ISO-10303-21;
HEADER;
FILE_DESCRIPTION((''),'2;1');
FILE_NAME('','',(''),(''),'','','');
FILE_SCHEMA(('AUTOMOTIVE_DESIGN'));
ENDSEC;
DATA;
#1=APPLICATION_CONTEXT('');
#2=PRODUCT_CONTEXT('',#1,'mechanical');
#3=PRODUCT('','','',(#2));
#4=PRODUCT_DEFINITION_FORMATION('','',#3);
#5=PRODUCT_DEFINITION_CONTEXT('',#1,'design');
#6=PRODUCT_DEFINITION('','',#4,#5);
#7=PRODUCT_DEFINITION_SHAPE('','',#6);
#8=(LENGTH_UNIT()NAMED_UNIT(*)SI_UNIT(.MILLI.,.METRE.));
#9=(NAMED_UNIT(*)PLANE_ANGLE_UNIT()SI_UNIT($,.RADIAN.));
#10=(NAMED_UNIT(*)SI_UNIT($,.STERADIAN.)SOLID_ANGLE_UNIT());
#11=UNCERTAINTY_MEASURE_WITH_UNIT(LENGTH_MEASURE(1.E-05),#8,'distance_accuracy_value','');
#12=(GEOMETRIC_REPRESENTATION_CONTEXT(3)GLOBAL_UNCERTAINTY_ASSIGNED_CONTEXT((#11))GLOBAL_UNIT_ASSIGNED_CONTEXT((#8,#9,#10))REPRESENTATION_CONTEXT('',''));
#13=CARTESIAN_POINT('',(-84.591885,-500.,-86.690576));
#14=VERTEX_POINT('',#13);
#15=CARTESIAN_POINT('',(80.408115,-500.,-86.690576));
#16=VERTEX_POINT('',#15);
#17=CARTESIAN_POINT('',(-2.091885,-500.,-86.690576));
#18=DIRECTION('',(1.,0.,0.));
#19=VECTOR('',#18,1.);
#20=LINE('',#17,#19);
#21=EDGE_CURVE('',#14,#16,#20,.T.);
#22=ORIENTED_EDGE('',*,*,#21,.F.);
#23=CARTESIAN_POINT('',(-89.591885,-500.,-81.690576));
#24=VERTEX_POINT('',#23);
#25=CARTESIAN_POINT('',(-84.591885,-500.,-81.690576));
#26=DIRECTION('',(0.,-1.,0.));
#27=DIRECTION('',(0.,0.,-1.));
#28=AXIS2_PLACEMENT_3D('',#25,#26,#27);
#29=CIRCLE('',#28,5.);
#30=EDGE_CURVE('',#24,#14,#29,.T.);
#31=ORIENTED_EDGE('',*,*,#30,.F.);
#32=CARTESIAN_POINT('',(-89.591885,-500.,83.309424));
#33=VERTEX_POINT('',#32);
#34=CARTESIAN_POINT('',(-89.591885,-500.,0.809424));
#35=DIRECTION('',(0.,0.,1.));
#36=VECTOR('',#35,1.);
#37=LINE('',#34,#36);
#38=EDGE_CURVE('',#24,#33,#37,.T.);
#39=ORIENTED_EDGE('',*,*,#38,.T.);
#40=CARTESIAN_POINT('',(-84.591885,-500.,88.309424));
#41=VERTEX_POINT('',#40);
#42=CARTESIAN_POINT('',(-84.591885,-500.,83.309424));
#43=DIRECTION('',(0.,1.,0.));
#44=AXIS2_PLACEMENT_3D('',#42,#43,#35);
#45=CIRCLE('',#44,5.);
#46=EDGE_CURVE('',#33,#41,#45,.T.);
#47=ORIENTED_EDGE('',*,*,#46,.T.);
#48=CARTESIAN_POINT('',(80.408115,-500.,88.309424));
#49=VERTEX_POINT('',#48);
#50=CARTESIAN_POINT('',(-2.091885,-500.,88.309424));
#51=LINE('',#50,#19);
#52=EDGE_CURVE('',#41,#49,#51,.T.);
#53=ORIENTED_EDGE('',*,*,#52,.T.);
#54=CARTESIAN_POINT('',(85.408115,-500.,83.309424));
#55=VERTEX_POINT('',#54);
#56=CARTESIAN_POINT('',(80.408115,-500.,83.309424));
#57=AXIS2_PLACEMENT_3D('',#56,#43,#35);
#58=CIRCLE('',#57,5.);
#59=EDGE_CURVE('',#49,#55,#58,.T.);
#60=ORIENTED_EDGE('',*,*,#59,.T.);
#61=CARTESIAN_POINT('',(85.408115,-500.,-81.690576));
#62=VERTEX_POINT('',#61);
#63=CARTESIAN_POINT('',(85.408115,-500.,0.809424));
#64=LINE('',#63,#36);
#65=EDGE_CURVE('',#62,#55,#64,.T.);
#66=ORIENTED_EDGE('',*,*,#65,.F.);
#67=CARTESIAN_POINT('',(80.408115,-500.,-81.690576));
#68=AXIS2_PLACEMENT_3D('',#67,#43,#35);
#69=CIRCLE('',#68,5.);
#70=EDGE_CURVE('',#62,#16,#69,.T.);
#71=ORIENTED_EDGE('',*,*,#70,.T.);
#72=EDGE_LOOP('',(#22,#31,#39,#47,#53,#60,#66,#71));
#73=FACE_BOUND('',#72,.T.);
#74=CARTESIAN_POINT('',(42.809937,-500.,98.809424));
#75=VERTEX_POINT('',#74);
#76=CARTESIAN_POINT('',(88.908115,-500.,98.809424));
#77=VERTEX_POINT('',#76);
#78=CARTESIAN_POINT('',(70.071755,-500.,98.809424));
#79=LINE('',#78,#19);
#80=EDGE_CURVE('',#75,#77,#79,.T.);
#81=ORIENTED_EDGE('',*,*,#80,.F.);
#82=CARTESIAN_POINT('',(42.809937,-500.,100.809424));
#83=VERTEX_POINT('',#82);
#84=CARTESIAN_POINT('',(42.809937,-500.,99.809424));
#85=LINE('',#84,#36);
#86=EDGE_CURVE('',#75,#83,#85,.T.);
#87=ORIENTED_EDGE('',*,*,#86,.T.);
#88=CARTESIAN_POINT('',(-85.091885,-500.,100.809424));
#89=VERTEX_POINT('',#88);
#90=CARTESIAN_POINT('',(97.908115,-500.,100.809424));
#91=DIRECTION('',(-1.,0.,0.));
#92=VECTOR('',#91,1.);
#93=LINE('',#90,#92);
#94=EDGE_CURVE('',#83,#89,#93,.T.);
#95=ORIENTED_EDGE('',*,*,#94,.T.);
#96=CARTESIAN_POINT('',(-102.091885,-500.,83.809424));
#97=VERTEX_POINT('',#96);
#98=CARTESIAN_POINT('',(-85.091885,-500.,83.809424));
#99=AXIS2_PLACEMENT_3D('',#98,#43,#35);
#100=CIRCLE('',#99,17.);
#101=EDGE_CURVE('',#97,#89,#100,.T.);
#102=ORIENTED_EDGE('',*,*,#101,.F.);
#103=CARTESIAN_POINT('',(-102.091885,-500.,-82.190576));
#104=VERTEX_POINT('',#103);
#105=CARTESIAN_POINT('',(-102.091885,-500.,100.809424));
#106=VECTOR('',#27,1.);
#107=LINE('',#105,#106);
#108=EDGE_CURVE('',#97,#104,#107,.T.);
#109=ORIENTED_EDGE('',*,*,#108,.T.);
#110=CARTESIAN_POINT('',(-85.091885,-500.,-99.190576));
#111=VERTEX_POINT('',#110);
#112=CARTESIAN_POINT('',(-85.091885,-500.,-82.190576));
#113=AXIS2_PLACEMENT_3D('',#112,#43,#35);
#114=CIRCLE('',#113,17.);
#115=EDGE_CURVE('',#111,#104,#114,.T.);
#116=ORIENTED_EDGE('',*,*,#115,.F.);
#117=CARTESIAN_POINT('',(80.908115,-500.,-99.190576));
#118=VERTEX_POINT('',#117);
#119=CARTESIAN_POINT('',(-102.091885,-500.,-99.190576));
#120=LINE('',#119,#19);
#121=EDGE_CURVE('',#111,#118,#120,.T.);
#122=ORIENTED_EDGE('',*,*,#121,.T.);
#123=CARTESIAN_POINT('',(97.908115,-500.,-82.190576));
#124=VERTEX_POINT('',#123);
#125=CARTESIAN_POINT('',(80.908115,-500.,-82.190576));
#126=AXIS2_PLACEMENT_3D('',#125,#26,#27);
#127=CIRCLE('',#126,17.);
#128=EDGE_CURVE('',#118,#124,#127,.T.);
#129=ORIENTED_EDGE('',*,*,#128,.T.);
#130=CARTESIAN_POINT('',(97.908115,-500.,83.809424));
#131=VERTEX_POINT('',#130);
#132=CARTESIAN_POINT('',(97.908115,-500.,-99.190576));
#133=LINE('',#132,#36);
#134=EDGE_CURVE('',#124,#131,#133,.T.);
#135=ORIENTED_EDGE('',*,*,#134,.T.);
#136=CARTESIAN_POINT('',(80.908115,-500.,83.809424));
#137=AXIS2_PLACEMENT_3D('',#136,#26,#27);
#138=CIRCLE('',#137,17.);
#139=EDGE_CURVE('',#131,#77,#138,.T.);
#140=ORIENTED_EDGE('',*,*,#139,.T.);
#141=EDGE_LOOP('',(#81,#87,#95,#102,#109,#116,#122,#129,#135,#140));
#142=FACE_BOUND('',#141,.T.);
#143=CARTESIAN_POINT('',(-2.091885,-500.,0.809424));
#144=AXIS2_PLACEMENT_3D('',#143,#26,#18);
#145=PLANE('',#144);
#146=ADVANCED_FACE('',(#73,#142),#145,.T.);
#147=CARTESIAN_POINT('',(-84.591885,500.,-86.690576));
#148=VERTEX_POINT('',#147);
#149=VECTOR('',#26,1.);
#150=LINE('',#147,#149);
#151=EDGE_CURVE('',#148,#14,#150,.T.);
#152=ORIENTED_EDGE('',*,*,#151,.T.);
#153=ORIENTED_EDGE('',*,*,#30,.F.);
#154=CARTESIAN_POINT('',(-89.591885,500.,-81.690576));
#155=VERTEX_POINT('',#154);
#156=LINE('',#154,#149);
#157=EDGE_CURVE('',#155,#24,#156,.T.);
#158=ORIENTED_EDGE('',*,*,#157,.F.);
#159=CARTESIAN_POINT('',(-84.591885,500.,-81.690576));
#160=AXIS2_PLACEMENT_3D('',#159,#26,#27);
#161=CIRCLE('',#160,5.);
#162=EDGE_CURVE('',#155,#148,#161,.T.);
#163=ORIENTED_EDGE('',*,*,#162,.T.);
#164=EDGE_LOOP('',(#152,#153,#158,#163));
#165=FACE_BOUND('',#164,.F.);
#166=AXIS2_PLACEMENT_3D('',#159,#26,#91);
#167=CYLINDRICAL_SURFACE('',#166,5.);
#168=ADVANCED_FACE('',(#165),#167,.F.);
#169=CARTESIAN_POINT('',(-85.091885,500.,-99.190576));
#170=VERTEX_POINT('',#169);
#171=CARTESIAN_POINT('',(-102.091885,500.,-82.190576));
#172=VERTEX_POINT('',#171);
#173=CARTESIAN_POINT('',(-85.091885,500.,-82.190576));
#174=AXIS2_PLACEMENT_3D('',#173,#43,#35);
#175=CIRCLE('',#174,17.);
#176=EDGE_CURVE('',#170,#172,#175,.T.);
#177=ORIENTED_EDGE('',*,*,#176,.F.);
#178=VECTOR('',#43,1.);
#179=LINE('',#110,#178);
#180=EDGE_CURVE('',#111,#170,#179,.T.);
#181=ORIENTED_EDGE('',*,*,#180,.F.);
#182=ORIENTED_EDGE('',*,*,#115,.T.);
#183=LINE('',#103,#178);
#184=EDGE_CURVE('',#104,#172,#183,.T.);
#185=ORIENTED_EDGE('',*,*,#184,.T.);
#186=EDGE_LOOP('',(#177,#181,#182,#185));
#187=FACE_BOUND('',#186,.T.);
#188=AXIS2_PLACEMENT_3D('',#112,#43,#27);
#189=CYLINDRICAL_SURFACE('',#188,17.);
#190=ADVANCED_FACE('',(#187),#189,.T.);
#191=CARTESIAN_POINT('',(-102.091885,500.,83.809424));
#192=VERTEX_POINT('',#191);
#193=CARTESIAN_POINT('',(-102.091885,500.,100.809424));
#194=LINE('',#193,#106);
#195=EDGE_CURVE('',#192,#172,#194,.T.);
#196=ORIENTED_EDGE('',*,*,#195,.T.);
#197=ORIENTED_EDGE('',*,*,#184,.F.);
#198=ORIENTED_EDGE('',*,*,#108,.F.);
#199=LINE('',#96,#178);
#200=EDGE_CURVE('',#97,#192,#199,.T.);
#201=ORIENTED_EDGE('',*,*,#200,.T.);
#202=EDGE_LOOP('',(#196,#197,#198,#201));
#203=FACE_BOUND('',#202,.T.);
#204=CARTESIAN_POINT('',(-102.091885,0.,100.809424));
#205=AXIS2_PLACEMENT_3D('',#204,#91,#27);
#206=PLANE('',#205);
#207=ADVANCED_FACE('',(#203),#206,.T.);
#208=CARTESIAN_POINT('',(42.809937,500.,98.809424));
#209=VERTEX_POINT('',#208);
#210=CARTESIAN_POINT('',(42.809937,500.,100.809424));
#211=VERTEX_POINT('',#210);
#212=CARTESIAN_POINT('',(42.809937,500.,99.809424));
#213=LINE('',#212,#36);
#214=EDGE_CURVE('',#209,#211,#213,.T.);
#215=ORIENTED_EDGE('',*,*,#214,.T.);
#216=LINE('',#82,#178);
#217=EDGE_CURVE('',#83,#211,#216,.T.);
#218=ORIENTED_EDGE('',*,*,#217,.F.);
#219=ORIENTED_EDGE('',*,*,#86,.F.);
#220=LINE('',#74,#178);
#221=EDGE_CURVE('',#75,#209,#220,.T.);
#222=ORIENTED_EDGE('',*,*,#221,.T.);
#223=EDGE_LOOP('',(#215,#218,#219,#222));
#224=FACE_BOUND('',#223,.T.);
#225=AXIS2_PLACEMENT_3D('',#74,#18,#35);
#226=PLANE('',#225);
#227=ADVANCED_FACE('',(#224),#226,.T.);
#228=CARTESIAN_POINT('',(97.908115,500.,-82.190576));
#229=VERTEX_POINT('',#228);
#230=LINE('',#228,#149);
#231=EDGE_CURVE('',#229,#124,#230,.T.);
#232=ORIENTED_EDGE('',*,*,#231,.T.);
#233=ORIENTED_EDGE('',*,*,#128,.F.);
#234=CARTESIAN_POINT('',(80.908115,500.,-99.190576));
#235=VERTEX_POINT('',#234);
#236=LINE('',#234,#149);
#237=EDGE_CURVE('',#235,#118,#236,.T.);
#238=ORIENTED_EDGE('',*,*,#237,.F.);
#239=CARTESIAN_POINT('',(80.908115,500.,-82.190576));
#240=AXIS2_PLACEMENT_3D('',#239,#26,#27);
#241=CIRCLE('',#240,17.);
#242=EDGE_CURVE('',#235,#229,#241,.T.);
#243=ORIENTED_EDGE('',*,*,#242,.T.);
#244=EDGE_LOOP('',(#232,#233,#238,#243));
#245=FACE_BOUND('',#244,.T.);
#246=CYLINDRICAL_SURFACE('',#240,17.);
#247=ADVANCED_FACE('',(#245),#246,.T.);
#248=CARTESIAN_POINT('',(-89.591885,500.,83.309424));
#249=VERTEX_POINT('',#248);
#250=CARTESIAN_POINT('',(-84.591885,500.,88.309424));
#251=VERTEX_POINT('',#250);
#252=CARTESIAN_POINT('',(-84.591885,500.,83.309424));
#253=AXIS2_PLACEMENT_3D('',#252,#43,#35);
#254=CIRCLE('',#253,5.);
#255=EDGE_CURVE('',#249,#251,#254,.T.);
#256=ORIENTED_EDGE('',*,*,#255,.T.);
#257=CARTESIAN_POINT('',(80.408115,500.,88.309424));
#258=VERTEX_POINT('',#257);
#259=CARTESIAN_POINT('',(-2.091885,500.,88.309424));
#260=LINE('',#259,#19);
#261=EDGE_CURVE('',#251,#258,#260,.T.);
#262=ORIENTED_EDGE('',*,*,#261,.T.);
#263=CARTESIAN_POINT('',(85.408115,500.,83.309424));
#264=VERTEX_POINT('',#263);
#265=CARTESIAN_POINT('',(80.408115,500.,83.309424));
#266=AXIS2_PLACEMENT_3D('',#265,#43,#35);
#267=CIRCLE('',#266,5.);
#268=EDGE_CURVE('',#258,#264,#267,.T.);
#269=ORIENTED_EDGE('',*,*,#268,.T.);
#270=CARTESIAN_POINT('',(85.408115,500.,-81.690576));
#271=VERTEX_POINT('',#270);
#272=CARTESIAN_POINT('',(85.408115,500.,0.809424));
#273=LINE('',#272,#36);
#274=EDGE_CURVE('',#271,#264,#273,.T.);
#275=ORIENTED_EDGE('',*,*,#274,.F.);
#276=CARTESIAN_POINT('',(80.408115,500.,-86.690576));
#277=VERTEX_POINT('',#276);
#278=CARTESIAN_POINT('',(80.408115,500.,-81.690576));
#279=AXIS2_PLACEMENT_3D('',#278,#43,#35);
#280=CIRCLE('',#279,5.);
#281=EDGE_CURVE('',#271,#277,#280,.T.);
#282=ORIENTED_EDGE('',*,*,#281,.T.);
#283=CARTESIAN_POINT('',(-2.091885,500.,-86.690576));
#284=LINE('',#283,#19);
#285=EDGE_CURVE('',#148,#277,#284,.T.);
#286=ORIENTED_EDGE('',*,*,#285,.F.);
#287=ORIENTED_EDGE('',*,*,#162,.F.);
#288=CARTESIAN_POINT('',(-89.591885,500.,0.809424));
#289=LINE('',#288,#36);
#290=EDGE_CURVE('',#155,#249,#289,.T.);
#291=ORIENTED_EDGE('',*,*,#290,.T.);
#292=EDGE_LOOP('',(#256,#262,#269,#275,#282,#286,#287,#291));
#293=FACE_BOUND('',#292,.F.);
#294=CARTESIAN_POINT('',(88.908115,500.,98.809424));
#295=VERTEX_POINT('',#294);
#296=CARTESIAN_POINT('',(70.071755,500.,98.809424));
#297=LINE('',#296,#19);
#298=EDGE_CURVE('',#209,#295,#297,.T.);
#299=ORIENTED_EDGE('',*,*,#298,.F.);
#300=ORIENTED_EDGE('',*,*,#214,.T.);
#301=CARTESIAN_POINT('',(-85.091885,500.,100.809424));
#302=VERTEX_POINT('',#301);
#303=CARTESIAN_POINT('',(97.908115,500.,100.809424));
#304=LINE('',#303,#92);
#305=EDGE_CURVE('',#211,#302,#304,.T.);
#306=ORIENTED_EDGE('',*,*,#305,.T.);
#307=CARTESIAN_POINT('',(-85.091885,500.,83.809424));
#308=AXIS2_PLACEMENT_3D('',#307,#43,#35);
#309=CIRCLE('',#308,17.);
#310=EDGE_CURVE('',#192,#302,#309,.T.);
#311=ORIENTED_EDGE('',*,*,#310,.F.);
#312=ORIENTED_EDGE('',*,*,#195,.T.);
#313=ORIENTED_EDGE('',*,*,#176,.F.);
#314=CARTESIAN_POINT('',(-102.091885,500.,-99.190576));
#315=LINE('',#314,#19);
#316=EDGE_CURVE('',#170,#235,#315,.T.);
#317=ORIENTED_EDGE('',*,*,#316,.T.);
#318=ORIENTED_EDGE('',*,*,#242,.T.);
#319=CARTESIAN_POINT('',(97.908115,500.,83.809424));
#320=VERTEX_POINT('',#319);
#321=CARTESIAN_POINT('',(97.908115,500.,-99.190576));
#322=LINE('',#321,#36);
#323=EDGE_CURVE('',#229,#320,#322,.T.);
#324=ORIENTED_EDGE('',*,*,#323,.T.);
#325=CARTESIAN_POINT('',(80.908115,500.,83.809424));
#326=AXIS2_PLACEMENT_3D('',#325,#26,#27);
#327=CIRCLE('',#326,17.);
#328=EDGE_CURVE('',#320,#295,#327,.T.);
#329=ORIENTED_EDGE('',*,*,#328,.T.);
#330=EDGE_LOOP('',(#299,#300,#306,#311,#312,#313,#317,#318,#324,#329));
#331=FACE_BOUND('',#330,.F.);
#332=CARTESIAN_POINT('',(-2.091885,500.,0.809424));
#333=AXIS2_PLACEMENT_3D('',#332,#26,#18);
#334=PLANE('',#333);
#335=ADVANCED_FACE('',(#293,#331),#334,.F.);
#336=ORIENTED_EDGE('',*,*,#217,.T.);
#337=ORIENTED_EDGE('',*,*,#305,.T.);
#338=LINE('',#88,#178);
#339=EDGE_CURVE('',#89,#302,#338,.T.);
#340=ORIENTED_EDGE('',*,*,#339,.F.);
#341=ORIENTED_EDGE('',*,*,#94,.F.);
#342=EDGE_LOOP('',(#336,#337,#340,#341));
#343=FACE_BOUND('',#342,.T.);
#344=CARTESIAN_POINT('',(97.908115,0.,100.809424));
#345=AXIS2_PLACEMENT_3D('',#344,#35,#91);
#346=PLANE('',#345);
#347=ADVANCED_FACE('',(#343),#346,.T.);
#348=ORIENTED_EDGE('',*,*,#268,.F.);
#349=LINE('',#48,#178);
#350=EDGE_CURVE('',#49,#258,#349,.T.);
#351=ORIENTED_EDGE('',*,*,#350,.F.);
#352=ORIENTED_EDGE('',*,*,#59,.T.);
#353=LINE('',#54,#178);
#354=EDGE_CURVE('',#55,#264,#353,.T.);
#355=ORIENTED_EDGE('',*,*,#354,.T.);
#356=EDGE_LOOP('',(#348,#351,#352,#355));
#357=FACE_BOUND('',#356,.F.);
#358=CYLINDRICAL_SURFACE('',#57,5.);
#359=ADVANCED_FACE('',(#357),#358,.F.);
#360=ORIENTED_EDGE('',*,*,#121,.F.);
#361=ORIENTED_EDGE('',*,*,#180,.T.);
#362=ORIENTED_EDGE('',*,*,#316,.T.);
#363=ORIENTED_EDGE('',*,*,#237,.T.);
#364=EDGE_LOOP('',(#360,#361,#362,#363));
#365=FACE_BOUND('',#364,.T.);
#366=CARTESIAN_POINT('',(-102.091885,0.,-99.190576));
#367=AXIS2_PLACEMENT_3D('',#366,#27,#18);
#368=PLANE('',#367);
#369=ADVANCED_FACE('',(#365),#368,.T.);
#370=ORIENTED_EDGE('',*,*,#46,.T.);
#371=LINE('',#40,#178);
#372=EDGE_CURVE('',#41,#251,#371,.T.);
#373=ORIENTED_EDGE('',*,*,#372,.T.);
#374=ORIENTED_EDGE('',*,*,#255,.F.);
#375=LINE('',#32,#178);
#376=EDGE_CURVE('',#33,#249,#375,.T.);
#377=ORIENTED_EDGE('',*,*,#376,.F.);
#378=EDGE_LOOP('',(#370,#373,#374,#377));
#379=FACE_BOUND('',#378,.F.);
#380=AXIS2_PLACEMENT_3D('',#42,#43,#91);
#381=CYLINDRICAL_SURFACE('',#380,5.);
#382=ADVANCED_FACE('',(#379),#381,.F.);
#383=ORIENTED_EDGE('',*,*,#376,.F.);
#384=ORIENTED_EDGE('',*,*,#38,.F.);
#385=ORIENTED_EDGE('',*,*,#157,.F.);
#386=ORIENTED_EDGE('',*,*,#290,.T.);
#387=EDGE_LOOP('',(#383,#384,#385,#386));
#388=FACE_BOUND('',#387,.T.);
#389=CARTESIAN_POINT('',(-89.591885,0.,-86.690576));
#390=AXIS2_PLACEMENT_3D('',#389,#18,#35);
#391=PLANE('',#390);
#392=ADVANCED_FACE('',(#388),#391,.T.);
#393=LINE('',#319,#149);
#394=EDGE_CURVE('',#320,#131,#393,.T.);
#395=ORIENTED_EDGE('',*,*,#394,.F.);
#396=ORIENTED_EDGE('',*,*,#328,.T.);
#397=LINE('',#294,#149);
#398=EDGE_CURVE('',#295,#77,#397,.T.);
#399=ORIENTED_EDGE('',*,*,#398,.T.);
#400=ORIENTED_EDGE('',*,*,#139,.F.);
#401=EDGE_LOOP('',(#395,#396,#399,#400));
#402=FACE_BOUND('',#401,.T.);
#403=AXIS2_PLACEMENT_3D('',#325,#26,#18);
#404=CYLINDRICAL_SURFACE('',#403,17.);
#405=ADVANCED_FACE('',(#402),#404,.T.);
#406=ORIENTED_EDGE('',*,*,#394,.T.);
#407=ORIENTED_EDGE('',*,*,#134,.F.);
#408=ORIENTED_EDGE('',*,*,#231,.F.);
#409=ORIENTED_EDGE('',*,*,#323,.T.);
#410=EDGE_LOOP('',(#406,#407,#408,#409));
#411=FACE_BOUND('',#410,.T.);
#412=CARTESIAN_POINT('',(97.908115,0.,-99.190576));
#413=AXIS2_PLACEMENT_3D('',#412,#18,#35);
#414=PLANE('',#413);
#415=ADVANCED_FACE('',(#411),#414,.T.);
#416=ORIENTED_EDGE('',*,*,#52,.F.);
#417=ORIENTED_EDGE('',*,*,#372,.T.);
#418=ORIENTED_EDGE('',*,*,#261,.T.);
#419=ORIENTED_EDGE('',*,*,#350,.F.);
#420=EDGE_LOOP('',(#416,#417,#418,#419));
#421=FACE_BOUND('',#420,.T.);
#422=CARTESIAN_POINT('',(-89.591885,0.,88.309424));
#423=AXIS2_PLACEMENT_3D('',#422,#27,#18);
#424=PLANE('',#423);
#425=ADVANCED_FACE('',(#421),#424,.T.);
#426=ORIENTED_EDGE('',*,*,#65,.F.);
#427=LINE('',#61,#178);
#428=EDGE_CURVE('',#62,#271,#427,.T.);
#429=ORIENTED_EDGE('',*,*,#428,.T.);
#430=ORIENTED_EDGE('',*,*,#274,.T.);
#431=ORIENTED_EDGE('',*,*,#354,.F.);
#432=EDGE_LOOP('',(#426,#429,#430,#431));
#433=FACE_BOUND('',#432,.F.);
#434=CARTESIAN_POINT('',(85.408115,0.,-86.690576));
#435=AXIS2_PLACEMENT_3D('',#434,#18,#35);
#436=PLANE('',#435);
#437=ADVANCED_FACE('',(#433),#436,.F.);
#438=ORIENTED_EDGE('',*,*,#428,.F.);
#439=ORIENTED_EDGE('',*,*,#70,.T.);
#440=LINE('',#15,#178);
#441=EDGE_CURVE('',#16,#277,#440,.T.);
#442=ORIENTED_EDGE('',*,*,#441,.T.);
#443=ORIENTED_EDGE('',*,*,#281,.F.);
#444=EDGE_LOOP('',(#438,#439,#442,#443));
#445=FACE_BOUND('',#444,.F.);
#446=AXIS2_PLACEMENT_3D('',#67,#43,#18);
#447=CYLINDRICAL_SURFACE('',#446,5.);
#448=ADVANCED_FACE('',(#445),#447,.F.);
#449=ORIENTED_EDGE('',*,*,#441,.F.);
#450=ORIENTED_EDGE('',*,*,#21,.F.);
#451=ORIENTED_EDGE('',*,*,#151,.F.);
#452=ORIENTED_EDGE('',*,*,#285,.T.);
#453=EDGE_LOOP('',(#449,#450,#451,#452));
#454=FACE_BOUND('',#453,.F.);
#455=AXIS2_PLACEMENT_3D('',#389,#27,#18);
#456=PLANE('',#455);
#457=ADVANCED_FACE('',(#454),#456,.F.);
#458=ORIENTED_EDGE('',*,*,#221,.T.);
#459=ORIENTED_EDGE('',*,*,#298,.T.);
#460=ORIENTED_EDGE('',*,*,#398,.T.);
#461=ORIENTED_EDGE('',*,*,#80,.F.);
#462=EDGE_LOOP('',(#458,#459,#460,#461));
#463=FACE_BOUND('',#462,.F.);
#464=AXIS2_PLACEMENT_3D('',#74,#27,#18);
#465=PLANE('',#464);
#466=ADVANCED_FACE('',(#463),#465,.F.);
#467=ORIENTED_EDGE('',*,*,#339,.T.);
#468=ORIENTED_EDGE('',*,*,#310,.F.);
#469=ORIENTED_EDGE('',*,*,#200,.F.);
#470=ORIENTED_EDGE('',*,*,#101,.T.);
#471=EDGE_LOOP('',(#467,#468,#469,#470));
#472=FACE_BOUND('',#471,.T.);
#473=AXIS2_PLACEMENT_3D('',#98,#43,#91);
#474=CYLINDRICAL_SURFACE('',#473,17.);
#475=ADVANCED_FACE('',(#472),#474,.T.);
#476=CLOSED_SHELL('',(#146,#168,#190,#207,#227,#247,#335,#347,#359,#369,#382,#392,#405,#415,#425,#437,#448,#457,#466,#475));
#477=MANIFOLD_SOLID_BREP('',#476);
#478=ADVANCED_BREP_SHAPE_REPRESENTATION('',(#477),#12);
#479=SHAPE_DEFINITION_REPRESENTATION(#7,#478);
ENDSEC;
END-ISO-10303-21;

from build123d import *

# Parameters (mm, degrees)
F0_W     = 175
F0_H     = 175
F1_DEPTH = 500
F2_R     = 5
F3_R     = 17
F4_W     = 54.523636
F4_H     = 2
F5_DEPTH = 1000


with BuildPart() as f1:
    # F0 (on Front) → F1 (new body, symmetric)
    with BuildSketch(Plane.XZ):
        Polygon((-102.091885, -11.638668), (-102.091885, -99.190576), (97.908115, -99.190576), (97.908115, 100.809424), (-102.091885, 100.809424), (-102.091885, -11.216699), align=None)
        with Locations((-2.091885, 0.809424)):
            Rectangle(F0_W, F0_H, mode=Mode.SUBTRACT)
    extrude(amount=F1_DEPTH, both=True)

    # F2
    f2_edges = [f1.edges().sort_by_distance(p)[0] for p in [
        (-89.591885, 0, -86.690576),
        (-89.591885, 0, 88.309424),
        (85.408115, 0, 88.309424),
        (85.408115, 0, -86.690576),
    ]]
    fillet(f2_edges, radius=F2_R)

    # F3
    f3_edges = [f1.edges().sort_by_distance(p)[0] for p in [
        (97.908115, 0, 100.809424),
        (-102.091885, 0, 100.809424),
        (-102.091885, 0, -99.190576),
        (97.908115, 0, -99.190576),
    ]]
    fillet(f3_edges, radius=F3_R)

    # F4 (on face) → F5 (cut, through all)
    with BuildSketch(Plane.XZ.offset(500)):
        with Locations((70.071755, 99.809424)):
            Rectangle(F4_W, F4_H)
    extrude(amount=-F5_DEPTH, mode=Mode.SUBTRACT)


solid = f1.part
